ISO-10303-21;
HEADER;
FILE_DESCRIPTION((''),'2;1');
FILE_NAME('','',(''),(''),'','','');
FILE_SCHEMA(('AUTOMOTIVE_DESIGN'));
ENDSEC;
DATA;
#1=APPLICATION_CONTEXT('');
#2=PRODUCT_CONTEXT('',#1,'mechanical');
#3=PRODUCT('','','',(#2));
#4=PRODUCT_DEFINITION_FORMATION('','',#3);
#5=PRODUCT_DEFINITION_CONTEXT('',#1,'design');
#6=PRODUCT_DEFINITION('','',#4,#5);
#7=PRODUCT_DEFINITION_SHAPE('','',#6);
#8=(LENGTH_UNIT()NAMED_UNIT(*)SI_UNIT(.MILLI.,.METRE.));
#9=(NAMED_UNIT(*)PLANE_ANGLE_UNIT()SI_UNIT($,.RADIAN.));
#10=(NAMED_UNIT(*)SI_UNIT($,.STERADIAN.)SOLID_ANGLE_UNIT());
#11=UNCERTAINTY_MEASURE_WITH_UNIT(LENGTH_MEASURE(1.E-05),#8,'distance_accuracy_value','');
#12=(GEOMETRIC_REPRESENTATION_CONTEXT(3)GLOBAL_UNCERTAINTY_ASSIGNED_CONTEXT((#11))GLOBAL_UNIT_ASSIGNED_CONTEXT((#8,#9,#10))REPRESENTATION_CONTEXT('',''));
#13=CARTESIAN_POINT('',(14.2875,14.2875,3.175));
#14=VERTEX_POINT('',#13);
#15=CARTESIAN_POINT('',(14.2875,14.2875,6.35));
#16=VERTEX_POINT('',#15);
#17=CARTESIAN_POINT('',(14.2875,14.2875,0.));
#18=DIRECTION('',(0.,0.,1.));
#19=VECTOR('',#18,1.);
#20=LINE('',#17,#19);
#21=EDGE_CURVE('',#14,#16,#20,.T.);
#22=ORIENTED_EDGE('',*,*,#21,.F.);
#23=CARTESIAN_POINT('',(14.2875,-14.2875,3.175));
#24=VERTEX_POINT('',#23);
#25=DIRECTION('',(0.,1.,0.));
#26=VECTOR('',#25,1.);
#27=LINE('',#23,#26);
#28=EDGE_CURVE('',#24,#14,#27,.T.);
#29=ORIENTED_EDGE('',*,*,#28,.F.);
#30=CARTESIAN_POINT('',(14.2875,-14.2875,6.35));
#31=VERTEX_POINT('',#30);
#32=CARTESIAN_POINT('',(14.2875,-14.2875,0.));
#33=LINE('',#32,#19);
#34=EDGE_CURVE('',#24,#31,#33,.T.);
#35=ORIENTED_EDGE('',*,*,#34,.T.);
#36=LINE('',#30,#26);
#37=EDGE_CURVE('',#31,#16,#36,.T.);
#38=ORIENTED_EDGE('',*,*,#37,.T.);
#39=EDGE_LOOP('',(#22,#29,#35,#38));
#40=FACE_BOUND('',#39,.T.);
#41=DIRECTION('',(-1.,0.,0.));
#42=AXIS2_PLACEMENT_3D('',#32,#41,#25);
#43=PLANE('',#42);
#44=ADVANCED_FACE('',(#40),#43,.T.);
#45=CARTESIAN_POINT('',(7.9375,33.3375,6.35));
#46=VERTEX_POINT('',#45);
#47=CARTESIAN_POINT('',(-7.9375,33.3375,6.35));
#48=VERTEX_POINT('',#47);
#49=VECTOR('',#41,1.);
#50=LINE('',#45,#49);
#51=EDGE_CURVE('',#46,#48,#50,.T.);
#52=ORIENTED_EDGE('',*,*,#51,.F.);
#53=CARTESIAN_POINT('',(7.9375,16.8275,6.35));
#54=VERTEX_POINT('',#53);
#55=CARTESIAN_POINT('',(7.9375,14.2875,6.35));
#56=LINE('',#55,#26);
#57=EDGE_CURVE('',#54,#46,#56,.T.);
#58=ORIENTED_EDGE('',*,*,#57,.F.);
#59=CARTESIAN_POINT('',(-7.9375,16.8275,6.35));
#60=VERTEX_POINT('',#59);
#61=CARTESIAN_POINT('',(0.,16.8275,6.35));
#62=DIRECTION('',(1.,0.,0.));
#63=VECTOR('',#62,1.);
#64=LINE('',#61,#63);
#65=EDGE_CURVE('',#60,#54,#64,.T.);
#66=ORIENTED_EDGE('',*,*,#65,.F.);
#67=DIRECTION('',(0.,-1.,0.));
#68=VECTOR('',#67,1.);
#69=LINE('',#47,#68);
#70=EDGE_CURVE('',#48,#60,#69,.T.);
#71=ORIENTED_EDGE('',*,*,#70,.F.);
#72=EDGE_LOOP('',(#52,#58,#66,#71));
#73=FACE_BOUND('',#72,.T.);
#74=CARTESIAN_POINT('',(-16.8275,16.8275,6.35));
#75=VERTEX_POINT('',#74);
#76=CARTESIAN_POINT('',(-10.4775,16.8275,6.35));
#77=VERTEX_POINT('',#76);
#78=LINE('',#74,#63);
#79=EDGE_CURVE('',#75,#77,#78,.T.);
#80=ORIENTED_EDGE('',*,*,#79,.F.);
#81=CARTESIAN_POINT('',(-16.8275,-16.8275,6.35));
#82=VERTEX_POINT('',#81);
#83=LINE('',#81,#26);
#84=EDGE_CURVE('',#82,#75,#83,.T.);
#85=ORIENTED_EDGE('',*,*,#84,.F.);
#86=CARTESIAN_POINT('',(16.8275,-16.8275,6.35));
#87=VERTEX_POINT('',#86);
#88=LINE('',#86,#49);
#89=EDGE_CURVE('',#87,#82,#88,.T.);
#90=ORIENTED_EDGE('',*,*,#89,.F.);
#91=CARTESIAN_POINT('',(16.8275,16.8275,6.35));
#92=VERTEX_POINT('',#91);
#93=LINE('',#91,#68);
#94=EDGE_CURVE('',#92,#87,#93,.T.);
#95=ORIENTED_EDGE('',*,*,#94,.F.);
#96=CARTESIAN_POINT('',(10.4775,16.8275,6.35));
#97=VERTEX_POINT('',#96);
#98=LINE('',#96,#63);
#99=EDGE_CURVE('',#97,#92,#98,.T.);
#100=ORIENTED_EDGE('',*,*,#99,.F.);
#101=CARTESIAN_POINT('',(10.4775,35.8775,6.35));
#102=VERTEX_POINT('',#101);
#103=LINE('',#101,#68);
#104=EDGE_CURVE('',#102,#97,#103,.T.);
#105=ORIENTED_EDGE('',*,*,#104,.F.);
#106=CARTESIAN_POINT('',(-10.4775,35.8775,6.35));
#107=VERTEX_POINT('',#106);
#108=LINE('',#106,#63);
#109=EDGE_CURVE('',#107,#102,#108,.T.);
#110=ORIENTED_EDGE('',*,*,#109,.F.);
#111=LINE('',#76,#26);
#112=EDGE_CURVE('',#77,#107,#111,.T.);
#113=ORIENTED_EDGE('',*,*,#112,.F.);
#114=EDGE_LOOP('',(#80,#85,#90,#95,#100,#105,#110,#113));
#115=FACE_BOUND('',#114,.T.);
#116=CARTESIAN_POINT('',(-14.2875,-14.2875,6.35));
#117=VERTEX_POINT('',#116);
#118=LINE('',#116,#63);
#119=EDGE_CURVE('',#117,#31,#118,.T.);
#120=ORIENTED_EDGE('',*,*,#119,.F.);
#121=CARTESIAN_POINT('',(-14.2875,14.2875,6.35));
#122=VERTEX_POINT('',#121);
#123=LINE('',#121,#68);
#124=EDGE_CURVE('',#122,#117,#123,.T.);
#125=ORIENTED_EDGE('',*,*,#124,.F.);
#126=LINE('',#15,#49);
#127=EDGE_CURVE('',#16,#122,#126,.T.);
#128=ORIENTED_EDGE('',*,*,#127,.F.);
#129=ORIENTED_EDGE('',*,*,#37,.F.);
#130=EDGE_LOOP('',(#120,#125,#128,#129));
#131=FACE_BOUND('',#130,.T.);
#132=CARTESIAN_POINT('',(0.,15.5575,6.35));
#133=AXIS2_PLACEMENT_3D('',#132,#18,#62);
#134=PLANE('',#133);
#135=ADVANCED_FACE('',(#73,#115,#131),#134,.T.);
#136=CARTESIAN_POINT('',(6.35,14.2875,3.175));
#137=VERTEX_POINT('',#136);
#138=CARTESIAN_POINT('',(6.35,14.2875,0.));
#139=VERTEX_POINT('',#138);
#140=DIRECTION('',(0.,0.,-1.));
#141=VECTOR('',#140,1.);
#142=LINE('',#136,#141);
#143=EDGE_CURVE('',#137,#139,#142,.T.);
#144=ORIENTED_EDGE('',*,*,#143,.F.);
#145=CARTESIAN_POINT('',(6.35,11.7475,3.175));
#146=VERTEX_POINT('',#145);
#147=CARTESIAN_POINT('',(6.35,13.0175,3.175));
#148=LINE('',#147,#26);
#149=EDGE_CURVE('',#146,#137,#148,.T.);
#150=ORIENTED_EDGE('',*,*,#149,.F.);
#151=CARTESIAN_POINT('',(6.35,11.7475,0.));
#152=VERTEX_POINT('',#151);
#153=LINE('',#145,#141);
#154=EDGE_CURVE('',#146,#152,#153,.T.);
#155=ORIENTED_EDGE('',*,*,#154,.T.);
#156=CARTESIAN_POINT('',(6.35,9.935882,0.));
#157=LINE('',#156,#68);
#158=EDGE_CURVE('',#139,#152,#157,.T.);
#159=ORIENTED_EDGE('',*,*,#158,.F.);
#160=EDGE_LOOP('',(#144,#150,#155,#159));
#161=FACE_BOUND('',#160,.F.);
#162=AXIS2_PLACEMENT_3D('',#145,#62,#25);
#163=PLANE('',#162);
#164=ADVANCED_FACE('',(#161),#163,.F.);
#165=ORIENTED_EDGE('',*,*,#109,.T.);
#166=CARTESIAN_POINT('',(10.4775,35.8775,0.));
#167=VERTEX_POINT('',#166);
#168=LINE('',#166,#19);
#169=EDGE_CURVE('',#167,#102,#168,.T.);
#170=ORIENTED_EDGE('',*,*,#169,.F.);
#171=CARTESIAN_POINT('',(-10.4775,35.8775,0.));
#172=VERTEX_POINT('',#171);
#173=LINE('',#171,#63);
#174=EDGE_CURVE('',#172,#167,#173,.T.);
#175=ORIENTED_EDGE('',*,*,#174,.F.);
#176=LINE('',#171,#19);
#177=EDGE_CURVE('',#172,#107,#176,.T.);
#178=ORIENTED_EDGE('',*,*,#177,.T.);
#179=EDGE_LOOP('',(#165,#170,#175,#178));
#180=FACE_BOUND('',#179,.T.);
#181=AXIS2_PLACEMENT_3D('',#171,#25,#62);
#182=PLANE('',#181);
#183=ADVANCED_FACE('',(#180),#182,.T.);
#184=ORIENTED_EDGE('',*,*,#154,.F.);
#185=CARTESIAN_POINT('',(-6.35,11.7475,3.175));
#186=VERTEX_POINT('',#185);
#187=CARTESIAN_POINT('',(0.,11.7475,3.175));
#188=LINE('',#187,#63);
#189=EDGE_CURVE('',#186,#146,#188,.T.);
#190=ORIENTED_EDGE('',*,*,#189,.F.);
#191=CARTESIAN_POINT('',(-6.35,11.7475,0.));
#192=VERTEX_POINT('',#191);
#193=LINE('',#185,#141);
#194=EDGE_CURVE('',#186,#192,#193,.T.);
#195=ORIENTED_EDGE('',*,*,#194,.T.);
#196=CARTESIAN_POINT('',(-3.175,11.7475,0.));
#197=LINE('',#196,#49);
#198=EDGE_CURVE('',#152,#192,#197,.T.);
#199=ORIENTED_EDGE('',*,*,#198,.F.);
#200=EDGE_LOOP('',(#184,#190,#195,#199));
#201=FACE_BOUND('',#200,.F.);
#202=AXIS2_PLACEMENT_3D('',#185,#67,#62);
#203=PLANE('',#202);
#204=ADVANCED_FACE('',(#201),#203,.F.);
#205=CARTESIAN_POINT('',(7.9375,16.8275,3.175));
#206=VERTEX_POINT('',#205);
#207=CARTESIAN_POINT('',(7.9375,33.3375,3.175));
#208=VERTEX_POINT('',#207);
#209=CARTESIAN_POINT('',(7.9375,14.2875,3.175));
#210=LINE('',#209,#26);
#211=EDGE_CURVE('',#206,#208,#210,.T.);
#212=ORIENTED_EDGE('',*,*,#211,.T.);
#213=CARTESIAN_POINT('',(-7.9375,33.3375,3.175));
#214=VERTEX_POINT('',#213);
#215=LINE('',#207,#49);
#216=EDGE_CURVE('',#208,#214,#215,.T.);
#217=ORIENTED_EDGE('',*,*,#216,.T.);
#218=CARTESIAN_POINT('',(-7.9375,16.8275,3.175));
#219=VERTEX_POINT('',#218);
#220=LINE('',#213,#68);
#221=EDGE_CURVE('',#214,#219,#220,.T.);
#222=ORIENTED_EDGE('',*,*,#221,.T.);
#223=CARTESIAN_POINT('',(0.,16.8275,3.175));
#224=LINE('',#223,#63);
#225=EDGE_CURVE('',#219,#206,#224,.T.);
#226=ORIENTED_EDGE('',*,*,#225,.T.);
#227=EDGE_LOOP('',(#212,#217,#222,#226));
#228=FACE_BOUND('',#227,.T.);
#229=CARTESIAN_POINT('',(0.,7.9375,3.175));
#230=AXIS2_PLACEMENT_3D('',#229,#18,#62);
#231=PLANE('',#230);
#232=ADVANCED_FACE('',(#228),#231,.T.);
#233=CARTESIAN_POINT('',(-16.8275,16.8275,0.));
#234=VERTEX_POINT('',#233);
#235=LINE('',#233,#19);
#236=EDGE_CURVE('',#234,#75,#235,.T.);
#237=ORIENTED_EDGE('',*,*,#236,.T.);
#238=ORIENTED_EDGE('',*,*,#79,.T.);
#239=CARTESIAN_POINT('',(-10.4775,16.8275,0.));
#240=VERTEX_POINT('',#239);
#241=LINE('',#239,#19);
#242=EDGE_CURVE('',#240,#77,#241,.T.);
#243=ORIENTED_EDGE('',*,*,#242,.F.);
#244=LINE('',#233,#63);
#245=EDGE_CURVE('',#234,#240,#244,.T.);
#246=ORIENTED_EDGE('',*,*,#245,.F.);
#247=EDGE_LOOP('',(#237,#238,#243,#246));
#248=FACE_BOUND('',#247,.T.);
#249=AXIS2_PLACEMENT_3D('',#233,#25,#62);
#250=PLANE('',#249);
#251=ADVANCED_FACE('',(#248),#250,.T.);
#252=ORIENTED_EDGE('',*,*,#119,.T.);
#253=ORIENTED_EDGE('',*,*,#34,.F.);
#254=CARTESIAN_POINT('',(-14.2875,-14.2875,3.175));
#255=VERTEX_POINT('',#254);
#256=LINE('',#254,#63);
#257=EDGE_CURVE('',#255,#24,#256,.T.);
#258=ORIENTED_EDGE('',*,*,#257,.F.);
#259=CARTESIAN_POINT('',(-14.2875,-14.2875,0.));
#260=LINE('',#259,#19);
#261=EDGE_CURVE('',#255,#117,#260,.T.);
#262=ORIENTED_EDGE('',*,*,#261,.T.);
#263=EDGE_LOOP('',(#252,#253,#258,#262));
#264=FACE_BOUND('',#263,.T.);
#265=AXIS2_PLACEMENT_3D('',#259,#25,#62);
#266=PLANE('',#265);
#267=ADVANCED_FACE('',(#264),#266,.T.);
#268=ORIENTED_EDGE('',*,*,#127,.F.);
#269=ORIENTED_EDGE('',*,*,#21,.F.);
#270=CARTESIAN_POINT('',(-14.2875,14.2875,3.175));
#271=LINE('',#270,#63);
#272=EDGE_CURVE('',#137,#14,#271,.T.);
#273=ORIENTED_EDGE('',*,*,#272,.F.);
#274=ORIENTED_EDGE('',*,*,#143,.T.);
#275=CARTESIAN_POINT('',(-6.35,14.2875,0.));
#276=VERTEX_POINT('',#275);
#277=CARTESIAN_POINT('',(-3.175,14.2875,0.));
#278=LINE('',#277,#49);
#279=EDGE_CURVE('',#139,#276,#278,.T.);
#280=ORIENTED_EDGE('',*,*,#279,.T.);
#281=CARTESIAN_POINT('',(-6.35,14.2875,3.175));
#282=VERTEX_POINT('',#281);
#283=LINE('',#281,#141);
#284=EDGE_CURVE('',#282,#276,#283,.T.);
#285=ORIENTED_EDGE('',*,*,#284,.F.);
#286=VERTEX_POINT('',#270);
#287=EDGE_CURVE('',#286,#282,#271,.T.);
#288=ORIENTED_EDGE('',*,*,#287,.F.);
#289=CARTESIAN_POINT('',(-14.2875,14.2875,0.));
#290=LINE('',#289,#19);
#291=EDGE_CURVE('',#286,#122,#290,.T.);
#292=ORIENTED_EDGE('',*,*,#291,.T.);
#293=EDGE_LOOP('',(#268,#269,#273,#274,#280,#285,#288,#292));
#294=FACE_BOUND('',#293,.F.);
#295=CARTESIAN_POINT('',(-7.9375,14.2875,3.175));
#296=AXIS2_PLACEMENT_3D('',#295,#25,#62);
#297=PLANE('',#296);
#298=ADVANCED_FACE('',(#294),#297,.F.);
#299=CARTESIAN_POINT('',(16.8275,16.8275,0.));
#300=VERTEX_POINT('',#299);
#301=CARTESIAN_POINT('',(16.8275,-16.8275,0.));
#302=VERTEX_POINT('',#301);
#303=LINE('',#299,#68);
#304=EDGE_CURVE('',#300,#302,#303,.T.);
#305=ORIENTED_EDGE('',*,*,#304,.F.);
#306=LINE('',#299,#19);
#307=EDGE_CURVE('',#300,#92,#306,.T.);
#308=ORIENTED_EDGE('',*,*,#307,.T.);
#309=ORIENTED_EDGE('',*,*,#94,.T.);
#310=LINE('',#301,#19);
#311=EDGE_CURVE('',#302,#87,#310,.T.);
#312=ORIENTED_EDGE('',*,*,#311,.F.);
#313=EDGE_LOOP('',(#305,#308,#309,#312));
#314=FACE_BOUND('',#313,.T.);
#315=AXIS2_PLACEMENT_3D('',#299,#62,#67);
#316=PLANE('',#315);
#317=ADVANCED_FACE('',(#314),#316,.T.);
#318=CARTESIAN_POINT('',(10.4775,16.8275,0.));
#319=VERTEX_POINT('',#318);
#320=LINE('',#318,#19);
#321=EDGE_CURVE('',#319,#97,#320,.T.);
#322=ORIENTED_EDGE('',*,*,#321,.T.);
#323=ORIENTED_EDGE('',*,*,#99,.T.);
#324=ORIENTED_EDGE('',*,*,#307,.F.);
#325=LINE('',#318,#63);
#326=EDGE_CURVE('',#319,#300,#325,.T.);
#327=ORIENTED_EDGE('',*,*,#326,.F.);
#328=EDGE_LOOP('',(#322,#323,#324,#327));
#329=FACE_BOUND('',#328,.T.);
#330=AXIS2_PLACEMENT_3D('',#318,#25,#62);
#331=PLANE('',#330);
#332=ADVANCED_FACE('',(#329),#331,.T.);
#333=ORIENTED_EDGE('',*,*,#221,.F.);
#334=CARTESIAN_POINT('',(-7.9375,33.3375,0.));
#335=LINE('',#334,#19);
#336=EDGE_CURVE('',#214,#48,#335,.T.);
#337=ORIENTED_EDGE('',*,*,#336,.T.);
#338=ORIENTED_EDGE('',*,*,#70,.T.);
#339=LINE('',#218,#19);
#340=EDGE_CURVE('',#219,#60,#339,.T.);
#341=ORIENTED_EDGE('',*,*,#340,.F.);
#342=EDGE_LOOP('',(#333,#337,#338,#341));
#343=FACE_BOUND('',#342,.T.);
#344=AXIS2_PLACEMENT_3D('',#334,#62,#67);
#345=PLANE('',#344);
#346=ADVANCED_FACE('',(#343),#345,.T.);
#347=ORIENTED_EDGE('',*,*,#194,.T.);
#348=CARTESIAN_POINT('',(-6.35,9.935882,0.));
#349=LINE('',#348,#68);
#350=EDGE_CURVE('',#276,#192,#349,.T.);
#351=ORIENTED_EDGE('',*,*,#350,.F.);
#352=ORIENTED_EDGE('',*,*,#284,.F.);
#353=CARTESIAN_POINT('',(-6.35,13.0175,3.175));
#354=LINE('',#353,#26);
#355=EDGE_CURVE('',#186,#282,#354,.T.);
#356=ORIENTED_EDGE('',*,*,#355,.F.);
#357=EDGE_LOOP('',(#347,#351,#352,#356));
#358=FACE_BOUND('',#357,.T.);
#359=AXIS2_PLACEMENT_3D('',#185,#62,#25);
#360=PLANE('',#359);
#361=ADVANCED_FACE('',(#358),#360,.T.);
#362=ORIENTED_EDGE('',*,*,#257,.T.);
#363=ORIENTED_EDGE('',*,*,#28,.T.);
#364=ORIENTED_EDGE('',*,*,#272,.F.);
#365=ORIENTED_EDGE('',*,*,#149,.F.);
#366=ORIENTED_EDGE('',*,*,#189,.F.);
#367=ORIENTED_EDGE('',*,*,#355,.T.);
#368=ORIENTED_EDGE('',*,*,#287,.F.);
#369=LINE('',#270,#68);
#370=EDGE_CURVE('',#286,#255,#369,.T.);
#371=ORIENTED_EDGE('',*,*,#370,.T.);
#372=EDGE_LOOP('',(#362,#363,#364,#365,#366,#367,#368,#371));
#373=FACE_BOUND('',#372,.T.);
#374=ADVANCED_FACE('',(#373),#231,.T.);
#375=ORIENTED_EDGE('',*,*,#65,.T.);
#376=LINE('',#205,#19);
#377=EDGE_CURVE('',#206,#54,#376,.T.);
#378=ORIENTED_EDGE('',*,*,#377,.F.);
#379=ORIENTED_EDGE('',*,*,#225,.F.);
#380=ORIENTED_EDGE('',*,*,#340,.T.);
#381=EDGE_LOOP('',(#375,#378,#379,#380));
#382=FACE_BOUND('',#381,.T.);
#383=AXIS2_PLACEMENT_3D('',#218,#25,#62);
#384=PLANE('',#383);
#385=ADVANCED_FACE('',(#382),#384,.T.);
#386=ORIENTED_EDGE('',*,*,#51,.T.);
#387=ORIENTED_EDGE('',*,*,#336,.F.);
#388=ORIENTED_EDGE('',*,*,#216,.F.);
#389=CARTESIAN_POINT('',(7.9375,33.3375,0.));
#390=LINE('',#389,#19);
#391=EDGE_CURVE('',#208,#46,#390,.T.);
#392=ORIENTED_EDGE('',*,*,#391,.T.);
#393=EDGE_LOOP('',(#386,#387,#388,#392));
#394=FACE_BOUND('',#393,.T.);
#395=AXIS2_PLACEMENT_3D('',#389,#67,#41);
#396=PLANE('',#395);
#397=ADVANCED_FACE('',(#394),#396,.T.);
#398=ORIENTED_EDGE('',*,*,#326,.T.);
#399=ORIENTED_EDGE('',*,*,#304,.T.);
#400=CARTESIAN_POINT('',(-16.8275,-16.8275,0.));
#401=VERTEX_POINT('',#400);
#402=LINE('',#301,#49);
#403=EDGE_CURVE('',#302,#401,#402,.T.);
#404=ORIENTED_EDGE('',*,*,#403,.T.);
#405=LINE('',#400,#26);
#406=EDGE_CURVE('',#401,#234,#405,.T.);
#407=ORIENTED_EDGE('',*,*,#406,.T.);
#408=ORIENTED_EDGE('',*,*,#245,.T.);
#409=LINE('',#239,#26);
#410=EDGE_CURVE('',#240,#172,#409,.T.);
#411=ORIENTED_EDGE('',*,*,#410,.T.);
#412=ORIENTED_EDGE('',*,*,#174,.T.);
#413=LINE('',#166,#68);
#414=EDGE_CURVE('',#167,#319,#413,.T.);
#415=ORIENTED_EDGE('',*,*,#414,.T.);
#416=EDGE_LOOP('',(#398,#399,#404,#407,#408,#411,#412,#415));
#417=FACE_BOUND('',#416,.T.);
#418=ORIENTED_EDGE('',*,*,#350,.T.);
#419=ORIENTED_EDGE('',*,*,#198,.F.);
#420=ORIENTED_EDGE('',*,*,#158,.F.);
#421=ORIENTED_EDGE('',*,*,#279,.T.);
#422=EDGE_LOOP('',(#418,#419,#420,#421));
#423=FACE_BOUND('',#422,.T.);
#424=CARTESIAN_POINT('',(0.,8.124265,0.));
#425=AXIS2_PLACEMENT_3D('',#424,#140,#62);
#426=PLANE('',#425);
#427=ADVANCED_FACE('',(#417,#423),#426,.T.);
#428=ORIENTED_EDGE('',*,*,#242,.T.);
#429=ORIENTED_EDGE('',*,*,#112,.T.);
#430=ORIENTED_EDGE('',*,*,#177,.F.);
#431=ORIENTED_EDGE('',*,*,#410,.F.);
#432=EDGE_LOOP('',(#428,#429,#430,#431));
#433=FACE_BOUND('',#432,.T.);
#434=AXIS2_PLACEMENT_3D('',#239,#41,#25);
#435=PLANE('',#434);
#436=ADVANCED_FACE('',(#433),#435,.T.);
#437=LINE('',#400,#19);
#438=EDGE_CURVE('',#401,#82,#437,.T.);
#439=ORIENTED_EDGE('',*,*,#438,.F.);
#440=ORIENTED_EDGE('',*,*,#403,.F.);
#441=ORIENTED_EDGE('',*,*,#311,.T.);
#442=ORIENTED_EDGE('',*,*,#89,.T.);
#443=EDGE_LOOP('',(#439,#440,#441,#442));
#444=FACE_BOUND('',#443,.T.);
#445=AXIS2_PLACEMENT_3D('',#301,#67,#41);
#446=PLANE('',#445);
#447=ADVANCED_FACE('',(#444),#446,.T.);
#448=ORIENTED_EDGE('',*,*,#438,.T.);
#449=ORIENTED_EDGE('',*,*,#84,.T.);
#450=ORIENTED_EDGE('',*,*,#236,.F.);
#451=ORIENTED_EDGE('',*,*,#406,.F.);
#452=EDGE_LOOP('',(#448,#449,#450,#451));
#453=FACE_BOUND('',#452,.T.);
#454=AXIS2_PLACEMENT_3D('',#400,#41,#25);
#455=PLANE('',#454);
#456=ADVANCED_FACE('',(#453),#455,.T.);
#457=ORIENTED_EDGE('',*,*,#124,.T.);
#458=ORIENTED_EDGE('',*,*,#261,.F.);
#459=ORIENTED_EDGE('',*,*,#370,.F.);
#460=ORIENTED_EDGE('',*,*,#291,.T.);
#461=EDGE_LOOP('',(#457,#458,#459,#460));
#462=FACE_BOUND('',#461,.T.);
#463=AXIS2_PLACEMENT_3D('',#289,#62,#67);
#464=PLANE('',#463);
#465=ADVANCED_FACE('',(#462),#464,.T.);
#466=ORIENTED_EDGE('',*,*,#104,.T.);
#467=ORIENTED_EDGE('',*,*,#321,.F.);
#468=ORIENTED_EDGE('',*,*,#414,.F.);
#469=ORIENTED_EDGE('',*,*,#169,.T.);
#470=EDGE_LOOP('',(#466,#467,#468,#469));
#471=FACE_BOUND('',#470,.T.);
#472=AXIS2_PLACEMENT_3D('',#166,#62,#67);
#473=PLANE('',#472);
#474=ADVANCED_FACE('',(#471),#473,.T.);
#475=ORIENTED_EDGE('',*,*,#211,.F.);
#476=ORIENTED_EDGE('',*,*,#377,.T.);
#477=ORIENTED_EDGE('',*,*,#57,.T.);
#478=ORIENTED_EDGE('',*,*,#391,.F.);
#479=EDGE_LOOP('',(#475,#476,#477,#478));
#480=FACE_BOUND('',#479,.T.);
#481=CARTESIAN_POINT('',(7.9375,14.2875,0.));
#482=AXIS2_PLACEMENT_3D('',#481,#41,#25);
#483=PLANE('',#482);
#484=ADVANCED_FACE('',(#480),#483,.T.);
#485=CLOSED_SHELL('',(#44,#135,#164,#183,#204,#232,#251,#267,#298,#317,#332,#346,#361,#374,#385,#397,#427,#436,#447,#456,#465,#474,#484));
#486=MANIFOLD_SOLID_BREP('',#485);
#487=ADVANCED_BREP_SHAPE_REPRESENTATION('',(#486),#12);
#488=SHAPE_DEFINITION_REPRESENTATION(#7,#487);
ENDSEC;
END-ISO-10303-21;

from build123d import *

# Parameters (mm, degrees)
F2_DEPTH = 3.175
F4_DEPTH = 6.35
F5_W     = 15.875
F5_H     = 2.54
F6_DEPTH = 3.175
F7_W     = 12.7
F7_H     = 2.54
F8_DEPTH = 25.4


with BuildPart() as f2:
    # F1 (on offset) → F2 (new body)
    with BuildSketch(Plane.XY):
        Polygon((-7.9375, 14.2875), (-14.2875, 14.2875), (-14.2875, -14.2875), (14.2875, -14.2875), (14.2875, 14.2875), (7.9375, 14.2875), (7.9375, 33.3375), (-7.9375, 33.3375), align=None)
    extrude(amount=F2_DEPTH)

    # F3 (on face) → F4 (join)
    with BuildSketch(Plane(origin=(0, 0, 0), x_dir=(1, 0, 0), z_dir=(0, 0, -1))):
        Polygon((16.8275, -16.8275), (16.8275, 16.8275), (-16.8275, 16.8275), (-16.8275, -16.8275), (-10.4775, -16.8275), (-10.4775, -35.8775), (10.4775, -35.8775), (10.4775, -16.8275), align=None)
        Polygon((-14.2875, 14.2875), (14.2875, 14.2875), (14.2875, -14.2875), (7.9375, -14.2875), (7.9375, -33.3375), (-7.9375, -33.3375), (-7.9375, -14.2875), (-14.2875, -14.2875), align=None, mode=Mode.SUBTRACT)
    extrude(amount=-F4_DEPTH)

    # F5 (on face) → F6 (join, through all)
    with BuildSketch(Plane.XY.offset(3.175)):
        with Locations((0, 15.5575)):
            Rectangle(F5_W, F5_H)
    extrude(amount=F6_DEPTH)

    # F7 (on face) → F8 (cut)
    with BuildSketch(Plane.XY.offset(3.175)):
        with Locations((0, 13.0175)):
            Rectangle(F7_W, F7_H)
    extrude(amount=-F8_DEPTH, mode=Mode.SUBTRACT)


solid = f2.part
